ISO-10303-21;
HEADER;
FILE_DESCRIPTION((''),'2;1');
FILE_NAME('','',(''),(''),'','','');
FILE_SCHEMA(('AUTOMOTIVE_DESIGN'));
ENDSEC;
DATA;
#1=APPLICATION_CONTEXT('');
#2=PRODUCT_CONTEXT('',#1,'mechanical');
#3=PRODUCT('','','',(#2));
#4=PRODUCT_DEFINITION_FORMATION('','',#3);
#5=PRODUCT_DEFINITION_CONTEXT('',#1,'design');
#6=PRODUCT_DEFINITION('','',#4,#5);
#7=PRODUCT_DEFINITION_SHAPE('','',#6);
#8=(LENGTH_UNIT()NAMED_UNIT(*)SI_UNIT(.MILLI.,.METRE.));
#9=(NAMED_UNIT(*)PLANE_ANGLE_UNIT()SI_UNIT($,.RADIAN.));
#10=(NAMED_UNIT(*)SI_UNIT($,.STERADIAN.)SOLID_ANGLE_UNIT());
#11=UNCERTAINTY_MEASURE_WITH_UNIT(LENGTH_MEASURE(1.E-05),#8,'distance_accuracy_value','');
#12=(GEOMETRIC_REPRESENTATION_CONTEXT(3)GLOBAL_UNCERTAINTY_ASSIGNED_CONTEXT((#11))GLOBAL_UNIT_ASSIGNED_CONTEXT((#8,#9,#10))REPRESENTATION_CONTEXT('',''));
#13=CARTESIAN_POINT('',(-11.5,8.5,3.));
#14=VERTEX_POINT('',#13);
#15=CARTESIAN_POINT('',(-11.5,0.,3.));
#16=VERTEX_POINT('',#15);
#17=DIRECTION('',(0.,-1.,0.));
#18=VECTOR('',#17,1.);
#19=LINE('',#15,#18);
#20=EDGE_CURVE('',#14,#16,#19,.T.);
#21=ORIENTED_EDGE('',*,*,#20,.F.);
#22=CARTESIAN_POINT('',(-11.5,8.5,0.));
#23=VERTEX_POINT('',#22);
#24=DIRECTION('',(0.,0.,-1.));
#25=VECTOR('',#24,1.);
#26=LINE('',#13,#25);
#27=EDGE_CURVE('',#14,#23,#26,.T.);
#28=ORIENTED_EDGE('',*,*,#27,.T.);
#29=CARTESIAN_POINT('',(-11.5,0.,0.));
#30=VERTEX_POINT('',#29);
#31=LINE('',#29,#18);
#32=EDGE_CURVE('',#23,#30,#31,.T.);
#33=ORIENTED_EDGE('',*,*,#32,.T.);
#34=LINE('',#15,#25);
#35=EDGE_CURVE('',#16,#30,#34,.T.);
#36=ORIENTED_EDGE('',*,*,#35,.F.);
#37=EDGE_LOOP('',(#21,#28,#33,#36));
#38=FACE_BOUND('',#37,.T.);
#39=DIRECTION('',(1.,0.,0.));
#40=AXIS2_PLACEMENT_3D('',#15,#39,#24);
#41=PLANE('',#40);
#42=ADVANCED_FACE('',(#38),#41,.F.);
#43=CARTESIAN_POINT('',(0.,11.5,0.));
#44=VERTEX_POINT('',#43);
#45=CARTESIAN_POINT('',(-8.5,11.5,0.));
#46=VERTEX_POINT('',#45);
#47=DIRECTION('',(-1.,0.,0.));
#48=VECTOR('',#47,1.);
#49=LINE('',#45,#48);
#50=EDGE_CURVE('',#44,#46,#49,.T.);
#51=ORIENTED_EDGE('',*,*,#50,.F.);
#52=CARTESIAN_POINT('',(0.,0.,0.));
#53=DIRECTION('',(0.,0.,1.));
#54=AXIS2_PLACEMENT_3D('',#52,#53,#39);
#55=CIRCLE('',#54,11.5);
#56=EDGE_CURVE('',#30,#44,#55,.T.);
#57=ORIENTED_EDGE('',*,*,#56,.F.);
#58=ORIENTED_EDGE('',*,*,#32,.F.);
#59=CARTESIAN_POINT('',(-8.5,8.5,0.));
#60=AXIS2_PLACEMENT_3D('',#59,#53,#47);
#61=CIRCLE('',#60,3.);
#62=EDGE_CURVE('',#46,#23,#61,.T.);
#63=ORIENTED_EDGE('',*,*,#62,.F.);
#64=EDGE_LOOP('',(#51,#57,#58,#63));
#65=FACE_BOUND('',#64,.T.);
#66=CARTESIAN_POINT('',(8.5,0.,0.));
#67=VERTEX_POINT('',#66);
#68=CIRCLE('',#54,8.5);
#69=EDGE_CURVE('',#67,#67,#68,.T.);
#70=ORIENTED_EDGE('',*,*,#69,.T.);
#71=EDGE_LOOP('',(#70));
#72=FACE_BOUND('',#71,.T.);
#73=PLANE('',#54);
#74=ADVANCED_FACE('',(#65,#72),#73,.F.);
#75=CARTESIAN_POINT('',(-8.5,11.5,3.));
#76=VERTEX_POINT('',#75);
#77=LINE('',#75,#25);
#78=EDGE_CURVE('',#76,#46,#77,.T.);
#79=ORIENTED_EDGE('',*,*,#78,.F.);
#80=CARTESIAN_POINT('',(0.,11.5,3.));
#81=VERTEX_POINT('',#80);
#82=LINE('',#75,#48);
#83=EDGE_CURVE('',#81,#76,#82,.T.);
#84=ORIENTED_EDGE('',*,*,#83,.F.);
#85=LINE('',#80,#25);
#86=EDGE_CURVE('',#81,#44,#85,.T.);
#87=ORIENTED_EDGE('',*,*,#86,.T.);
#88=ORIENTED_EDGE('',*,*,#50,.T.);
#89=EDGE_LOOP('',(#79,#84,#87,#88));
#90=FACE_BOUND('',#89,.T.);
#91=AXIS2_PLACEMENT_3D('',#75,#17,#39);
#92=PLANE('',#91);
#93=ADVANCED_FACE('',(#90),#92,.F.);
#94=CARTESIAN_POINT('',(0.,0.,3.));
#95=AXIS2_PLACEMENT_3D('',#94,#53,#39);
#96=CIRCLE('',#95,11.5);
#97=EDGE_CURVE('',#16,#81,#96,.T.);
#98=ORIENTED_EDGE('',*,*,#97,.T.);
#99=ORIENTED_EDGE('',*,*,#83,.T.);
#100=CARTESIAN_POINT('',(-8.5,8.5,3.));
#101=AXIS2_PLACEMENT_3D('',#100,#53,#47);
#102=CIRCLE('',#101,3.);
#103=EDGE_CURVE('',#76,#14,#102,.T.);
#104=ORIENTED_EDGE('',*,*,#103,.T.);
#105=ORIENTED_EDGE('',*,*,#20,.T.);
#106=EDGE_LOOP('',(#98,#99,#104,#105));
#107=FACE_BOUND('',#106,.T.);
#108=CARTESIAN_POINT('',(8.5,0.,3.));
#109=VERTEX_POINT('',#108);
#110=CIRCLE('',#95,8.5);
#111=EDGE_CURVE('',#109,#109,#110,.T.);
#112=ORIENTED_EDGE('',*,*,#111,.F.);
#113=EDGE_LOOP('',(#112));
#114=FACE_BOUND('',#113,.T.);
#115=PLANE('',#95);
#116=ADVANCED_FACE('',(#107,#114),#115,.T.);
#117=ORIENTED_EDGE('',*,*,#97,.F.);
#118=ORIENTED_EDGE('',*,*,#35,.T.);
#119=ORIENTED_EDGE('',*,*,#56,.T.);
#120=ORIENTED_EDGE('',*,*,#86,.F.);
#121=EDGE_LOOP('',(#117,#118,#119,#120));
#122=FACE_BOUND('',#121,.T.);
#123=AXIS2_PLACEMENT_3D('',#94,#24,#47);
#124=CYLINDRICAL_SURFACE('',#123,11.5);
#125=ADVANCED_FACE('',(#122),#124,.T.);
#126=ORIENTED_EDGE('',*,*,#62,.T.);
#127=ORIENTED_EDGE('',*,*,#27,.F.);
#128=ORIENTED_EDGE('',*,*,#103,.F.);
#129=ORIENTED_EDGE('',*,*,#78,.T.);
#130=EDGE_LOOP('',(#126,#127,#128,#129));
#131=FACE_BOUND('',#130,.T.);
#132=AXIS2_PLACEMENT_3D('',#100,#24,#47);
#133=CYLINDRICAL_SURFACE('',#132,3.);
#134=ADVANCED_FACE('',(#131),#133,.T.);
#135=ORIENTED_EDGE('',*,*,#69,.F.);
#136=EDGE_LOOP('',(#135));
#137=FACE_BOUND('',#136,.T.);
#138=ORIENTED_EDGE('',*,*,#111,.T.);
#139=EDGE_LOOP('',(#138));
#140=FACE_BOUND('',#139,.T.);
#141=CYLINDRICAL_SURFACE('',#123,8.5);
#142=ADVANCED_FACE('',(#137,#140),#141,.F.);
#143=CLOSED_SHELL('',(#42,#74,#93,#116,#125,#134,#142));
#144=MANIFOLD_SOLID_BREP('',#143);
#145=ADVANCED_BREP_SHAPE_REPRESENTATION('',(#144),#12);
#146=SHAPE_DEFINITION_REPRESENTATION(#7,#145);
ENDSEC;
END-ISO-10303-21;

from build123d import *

# Parameters (mm, degrees)
SKETCH1_R           = 8.5
BOSS_EXTRUDE1_DEPTH = 3


with BuildPart() as part:
    # Sketch1 → Boss-Extrude1 (new body)
    with BuildSketch(Plane.XY):
        with BuildLine():
            Line((-11.5, 0), (-11.5, 8.5))
            ThreePointArc((-11.5, 8.5), (-10.621320344, 10.621320344), (-8.5, 11.5))
            Line((-8.5, 11.5), (0, 11.5))
            ThreePointArc((0, 11.5), (8.131727984, -8.131727984), (-11.5, 0))
        make_face()
        Circle(SKETCH1_R, mode=Mode.SUBTRACT)
    extrude(amount=BOSS_EXTRUDE1_DEPTH)


solid = part.part
